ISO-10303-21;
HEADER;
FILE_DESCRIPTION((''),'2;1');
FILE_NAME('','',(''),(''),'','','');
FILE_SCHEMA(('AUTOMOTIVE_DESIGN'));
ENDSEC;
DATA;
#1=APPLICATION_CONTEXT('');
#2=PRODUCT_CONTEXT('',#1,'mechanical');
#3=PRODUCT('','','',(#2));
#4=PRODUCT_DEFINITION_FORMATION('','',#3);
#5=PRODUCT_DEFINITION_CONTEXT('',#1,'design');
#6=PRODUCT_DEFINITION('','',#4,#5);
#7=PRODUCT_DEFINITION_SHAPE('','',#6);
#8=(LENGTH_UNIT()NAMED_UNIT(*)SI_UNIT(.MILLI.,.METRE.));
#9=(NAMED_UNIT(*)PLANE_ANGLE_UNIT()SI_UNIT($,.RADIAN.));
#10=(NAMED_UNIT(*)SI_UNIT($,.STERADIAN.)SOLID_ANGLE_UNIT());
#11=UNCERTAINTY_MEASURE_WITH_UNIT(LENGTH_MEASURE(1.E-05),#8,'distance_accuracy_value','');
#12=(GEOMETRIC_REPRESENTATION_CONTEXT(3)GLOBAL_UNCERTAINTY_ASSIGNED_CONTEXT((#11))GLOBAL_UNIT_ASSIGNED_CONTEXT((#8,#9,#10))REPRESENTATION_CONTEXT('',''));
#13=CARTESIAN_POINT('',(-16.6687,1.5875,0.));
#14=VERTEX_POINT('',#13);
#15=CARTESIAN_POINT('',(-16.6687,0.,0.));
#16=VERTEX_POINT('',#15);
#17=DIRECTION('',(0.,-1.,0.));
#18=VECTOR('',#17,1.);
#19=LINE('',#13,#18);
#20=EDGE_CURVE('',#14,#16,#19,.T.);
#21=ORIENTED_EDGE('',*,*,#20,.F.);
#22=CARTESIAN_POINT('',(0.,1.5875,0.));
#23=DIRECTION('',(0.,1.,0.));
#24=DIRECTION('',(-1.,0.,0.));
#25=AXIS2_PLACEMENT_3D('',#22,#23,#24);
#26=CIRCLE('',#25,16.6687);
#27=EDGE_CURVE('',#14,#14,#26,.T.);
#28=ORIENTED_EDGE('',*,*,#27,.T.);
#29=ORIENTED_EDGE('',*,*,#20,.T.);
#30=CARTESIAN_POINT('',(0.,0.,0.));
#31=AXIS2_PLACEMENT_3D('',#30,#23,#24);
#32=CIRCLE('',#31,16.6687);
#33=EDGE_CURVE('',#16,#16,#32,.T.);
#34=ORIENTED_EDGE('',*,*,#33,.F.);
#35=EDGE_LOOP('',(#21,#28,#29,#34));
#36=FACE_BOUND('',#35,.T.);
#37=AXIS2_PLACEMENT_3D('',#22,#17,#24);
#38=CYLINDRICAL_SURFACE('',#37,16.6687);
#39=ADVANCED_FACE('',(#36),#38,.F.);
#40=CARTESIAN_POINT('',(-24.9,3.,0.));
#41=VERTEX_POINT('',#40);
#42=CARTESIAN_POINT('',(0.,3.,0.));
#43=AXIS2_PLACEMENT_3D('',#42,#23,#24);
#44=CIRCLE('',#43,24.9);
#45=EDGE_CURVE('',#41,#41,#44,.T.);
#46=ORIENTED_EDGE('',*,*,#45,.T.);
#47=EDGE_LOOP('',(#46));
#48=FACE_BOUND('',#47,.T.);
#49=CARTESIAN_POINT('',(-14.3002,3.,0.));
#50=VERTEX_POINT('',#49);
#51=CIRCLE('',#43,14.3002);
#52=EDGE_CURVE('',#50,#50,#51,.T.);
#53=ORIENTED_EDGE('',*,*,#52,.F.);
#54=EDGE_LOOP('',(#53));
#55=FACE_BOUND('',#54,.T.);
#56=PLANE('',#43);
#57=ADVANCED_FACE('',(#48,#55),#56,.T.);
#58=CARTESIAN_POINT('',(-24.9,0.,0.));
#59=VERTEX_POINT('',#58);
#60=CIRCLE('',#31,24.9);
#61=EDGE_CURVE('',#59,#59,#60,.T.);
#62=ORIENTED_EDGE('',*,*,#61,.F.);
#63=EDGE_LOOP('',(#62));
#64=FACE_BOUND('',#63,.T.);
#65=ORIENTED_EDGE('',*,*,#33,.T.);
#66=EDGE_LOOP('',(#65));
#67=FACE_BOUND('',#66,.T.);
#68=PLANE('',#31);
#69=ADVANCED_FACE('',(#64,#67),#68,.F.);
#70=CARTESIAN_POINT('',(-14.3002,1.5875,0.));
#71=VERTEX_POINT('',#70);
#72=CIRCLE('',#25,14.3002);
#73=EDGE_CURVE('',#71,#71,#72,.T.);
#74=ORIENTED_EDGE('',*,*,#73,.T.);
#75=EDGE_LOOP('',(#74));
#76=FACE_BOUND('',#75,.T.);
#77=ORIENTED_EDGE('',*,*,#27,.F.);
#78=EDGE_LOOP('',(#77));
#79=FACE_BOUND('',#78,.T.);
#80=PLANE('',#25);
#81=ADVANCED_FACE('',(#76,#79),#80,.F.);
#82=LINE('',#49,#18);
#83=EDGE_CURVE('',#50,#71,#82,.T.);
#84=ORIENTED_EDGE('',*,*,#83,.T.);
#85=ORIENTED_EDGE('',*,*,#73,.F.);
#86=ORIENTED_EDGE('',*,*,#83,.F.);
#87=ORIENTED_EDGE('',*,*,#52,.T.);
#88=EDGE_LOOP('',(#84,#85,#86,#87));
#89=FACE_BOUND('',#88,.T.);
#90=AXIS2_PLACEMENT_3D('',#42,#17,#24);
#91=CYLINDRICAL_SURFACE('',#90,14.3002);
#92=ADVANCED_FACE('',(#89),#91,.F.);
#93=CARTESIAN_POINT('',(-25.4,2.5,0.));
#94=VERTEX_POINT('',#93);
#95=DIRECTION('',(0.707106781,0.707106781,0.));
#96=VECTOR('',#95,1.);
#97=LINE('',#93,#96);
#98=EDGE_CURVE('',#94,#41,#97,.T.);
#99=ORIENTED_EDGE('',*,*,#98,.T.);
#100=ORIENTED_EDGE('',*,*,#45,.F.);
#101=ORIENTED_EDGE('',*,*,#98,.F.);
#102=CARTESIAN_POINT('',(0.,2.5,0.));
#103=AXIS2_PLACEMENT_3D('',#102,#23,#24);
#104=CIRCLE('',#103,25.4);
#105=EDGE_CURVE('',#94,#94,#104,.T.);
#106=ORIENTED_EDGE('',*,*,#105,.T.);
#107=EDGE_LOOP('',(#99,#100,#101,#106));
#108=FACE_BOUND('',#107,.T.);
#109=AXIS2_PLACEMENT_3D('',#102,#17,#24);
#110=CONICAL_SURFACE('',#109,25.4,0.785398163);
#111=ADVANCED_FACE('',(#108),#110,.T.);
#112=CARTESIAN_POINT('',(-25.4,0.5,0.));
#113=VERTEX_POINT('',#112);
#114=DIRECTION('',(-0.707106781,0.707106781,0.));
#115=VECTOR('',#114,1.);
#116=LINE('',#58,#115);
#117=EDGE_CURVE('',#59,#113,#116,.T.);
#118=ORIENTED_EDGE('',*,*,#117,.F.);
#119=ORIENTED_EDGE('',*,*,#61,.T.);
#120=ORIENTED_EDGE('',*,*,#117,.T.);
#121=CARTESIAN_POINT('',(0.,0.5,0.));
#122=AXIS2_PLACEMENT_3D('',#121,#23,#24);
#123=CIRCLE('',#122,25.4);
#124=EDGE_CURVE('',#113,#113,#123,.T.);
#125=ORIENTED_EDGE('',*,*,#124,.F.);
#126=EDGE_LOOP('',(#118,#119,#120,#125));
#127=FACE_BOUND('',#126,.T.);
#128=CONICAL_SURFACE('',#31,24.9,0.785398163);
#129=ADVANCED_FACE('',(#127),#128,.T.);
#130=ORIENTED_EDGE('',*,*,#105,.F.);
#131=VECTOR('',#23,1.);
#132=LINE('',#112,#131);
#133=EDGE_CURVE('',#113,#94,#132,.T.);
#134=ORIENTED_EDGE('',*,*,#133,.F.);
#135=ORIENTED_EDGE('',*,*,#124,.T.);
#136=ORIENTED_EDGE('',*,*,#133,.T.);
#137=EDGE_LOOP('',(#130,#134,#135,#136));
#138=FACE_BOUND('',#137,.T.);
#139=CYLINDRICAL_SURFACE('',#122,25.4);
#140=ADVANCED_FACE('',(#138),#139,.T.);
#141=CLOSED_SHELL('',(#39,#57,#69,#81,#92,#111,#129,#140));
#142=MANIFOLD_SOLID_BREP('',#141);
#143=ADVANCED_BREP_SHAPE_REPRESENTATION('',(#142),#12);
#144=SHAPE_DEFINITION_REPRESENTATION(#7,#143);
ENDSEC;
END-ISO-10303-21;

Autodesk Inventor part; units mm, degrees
ref_plane "YZ Plane" through (0, 0, 0) normal (1, 0, 0) x (0, 1, 0)
ref_plane "XZ Plane" through (0, 0, 0) normal (0, 1, 0) x (-1, 0, 0)
ref_plane "XY Plane" through (0, 0, 0) normal (0, 0, 1) x (1, 0, 0)
sketch "Sketch1" plane through (0, 0, 0) normal (0, 0, 1) x (1, 0, 0)
  line L0 (-24.9, 0) -> (-25.4, 0.5)
  line L1 (-16.6687, 0) -> (-24.9, 0)
  line L2 (-16.6687, 1.5875) -> (-16.6687, 0)
  line L3 (-14.3002, 1.5875) -> (-16.6687, 1.5875)
  line L4 (-14.3002, 3) -> (-14.3002, 1.5875)
  line L5 (-24.9, 3) -> (-14.3002, 3)
  line L6 (-25.4, 2.5) -> (-24.9, 3)
  line L7 (-25.4, 0.5) -> (-25.4, 2.5)
  line L8 (0, 0) -> (0, 6.8981)
  dimension "d0" = 50.8
  dimension "d1" = 28.6004
  dimension "d2" = 3
  dimension "d3" = 1.5875
  dimension "d4" = 2.3685
  dimension "d5" = 0.5
  dimension "d6" = 0.5
  dimension "d7" = 0.5
  dimension "d9" = 0.5
revolve "Revolution1" add sketch "Sketch1" angle 360 about axis through (0, 0, 0) along (0, 1, 0)
equation "\"d6\" = d5"
equation "\"d7\" = d6"
equation "\"d9\" = d7"
properties part number "VersaRoller Flange (WCP-0444)" material "Aluminum 6061"
